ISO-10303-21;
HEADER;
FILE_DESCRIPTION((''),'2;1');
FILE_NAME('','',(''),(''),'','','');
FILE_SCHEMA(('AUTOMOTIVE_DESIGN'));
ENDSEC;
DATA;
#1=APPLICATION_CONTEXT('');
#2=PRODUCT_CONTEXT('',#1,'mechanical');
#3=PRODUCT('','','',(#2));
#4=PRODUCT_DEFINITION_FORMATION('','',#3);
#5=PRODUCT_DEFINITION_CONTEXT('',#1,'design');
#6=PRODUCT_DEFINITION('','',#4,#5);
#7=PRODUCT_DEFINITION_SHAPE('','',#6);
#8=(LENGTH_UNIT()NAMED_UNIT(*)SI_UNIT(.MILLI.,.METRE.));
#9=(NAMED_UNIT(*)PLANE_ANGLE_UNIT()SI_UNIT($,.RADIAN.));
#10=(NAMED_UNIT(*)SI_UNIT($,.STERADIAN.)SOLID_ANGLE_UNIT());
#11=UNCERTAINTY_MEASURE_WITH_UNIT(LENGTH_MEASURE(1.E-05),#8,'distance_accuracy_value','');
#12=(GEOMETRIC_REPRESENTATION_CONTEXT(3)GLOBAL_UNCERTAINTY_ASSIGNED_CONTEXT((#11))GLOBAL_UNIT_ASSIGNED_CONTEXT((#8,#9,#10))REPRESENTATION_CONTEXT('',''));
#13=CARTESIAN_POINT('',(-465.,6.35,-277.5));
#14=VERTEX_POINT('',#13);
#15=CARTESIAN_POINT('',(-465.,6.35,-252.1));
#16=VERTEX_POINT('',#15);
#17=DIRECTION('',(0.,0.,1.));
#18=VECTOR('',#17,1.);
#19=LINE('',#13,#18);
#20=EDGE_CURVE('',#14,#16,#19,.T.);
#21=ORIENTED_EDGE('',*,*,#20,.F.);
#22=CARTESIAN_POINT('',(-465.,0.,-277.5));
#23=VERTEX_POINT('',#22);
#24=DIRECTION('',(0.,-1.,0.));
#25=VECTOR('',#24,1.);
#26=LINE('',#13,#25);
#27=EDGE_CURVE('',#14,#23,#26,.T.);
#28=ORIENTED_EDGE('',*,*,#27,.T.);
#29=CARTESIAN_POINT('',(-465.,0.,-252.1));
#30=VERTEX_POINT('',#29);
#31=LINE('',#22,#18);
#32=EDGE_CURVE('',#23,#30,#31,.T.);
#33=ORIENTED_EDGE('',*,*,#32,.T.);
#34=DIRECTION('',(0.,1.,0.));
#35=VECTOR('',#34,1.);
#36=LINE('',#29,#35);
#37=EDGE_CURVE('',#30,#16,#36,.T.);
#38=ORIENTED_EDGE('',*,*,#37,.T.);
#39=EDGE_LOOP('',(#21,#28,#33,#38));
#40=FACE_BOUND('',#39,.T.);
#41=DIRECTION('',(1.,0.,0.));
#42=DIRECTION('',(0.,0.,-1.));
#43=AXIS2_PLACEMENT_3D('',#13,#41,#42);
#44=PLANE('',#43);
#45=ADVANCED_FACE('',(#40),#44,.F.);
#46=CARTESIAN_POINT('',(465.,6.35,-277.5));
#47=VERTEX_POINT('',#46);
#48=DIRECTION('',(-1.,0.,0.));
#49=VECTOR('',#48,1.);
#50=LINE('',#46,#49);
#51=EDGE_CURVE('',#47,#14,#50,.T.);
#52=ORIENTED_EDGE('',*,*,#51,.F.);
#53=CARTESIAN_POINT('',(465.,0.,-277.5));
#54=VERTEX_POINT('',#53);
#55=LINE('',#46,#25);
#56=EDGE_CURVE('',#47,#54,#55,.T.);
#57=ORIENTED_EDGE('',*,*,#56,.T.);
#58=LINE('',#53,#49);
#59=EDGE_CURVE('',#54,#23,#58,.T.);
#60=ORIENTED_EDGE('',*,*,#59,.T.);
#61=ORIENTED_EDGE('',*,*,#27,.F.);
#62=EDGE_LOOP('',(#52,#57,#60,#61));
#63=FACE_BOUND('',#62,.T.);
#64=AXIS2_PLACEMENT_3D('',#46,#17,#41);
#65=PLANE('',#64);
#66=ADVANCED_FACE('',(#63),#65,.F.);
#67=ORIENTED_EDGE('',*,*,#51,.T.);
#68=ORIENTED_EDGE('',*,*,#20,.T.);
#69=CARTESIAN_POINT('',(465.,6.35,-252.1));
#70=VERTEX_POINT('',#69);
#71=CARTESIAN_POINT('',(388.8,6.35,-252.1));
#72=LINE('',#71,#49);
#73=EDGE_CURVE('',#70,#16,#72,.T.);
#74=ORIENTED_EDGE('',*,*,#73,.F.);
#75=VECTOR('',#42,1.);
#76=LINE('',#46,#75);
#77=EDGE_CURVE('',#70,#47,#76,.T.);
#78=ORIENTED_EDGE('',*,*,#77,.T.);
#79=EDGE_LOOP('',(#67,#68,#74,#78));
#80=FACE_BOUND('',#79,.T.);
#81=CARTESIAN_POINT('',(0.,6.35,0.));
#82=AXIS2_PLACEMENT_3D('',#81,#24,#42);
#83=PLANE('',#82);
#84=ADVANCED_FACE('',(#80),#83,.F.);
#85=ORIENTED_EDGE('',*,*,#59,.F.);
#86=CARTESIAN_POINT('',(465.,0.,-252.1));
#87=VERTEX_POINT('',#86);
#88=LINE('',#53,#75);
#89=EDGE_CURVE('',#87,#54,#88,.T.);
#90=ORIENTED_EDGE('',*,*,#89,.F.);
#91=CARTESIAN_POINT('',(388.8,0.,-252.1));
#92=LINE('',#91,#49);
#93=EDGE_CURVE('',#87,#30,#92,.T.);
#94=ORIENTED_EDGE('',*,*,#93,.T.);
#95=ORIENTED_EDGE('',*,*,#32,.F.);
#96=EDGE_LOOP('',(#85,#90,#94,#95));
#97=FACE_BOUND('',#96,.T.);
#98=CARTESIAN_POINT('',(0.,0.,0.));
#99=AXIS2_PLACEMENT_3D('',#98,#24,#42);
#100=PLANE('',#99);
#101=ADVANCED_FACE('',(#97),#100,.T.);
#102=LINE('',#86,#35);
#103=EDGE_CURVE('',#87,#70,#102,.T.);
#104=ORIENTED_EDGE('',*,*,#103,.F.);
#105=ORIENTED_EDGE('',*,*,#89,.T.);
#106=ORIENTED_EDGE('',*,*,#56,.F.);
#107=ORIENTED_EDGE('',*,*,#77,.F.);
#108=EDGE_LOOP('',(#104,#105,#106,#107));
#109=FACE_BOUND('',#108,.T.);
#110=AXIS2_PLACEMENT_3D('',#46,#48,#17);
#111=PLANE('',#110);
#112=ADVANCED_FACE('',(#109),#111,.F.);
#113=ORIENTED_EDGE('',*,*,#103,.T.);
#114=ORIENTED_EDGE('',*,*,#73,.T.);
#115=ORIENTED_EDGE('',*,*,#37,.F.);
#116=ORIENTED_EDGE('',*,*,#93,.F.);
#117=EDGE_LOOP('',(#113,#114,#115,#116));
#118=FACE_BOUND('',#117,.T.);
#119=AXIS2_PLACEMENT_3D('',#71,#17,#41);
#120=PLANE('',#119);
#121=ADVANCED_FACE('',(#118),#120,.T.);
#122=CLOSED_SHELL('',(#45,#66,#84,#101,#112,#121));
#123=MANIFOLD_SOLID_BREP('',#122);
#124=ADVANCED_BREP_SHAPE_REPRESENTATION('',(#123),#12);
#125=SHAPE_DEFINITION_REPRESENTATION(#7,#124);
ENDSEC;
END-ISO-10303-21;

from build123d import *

# Parameters (mm, degrees)
SKETCH1_W               = 930
SKETCH1_H               = 555
SKETCH1_W_2             = 777.6
SKETCH1_H_2             = 504.2
BOSS_EXTRUDE2_DEPTH     = 6.35
CUT_EXTRUDE1_DEPTH      = 542.54554056
CUT_EXTRUDE1_DEPTH_BACK = 542.54554056
SKETCH2_W               = 930
SKETCH2_H               = 529.6


with BuildPart() as part:
    # Sketch1 → Boss-Extrude2 (new body)
    with BuildSketch(Plane(origin=(0, 0, 0), x_dir=(1, 0, 0), z_dir=(0, 1, 0))):
        Rectangle(SKETCH1_W, SKETCH1_H)
        Rectangle(SKETCH1_W_2, SKETCH1_H_2, mode=Mode.SUBTRACT)
    extrude(amount=BOSS_EXTRUDE2_DEPTH)

    # Sketch2 → Cut-Extrude1 (cut, two sides: drawn at the far end of the back side and taken through both)
    with BuildSketch(Plane(origin=(0, 6.35, 0), x_dir=(1, 0, 0), z_dir=(0, 1, 0)).offset(-CUT_EXTRUDE1_DEPTH_BACK)):
        with Locations((0, -12.7)):
            Rectangle(SKETCH2_W, SKETCH2_H)
    extrude(amount=CUT_EXTRUDE1_DEPTH + CUT_EXTRUDE1_DEPTH_BACK, mode=Mode.SUBTRACT)


solid = part.part
